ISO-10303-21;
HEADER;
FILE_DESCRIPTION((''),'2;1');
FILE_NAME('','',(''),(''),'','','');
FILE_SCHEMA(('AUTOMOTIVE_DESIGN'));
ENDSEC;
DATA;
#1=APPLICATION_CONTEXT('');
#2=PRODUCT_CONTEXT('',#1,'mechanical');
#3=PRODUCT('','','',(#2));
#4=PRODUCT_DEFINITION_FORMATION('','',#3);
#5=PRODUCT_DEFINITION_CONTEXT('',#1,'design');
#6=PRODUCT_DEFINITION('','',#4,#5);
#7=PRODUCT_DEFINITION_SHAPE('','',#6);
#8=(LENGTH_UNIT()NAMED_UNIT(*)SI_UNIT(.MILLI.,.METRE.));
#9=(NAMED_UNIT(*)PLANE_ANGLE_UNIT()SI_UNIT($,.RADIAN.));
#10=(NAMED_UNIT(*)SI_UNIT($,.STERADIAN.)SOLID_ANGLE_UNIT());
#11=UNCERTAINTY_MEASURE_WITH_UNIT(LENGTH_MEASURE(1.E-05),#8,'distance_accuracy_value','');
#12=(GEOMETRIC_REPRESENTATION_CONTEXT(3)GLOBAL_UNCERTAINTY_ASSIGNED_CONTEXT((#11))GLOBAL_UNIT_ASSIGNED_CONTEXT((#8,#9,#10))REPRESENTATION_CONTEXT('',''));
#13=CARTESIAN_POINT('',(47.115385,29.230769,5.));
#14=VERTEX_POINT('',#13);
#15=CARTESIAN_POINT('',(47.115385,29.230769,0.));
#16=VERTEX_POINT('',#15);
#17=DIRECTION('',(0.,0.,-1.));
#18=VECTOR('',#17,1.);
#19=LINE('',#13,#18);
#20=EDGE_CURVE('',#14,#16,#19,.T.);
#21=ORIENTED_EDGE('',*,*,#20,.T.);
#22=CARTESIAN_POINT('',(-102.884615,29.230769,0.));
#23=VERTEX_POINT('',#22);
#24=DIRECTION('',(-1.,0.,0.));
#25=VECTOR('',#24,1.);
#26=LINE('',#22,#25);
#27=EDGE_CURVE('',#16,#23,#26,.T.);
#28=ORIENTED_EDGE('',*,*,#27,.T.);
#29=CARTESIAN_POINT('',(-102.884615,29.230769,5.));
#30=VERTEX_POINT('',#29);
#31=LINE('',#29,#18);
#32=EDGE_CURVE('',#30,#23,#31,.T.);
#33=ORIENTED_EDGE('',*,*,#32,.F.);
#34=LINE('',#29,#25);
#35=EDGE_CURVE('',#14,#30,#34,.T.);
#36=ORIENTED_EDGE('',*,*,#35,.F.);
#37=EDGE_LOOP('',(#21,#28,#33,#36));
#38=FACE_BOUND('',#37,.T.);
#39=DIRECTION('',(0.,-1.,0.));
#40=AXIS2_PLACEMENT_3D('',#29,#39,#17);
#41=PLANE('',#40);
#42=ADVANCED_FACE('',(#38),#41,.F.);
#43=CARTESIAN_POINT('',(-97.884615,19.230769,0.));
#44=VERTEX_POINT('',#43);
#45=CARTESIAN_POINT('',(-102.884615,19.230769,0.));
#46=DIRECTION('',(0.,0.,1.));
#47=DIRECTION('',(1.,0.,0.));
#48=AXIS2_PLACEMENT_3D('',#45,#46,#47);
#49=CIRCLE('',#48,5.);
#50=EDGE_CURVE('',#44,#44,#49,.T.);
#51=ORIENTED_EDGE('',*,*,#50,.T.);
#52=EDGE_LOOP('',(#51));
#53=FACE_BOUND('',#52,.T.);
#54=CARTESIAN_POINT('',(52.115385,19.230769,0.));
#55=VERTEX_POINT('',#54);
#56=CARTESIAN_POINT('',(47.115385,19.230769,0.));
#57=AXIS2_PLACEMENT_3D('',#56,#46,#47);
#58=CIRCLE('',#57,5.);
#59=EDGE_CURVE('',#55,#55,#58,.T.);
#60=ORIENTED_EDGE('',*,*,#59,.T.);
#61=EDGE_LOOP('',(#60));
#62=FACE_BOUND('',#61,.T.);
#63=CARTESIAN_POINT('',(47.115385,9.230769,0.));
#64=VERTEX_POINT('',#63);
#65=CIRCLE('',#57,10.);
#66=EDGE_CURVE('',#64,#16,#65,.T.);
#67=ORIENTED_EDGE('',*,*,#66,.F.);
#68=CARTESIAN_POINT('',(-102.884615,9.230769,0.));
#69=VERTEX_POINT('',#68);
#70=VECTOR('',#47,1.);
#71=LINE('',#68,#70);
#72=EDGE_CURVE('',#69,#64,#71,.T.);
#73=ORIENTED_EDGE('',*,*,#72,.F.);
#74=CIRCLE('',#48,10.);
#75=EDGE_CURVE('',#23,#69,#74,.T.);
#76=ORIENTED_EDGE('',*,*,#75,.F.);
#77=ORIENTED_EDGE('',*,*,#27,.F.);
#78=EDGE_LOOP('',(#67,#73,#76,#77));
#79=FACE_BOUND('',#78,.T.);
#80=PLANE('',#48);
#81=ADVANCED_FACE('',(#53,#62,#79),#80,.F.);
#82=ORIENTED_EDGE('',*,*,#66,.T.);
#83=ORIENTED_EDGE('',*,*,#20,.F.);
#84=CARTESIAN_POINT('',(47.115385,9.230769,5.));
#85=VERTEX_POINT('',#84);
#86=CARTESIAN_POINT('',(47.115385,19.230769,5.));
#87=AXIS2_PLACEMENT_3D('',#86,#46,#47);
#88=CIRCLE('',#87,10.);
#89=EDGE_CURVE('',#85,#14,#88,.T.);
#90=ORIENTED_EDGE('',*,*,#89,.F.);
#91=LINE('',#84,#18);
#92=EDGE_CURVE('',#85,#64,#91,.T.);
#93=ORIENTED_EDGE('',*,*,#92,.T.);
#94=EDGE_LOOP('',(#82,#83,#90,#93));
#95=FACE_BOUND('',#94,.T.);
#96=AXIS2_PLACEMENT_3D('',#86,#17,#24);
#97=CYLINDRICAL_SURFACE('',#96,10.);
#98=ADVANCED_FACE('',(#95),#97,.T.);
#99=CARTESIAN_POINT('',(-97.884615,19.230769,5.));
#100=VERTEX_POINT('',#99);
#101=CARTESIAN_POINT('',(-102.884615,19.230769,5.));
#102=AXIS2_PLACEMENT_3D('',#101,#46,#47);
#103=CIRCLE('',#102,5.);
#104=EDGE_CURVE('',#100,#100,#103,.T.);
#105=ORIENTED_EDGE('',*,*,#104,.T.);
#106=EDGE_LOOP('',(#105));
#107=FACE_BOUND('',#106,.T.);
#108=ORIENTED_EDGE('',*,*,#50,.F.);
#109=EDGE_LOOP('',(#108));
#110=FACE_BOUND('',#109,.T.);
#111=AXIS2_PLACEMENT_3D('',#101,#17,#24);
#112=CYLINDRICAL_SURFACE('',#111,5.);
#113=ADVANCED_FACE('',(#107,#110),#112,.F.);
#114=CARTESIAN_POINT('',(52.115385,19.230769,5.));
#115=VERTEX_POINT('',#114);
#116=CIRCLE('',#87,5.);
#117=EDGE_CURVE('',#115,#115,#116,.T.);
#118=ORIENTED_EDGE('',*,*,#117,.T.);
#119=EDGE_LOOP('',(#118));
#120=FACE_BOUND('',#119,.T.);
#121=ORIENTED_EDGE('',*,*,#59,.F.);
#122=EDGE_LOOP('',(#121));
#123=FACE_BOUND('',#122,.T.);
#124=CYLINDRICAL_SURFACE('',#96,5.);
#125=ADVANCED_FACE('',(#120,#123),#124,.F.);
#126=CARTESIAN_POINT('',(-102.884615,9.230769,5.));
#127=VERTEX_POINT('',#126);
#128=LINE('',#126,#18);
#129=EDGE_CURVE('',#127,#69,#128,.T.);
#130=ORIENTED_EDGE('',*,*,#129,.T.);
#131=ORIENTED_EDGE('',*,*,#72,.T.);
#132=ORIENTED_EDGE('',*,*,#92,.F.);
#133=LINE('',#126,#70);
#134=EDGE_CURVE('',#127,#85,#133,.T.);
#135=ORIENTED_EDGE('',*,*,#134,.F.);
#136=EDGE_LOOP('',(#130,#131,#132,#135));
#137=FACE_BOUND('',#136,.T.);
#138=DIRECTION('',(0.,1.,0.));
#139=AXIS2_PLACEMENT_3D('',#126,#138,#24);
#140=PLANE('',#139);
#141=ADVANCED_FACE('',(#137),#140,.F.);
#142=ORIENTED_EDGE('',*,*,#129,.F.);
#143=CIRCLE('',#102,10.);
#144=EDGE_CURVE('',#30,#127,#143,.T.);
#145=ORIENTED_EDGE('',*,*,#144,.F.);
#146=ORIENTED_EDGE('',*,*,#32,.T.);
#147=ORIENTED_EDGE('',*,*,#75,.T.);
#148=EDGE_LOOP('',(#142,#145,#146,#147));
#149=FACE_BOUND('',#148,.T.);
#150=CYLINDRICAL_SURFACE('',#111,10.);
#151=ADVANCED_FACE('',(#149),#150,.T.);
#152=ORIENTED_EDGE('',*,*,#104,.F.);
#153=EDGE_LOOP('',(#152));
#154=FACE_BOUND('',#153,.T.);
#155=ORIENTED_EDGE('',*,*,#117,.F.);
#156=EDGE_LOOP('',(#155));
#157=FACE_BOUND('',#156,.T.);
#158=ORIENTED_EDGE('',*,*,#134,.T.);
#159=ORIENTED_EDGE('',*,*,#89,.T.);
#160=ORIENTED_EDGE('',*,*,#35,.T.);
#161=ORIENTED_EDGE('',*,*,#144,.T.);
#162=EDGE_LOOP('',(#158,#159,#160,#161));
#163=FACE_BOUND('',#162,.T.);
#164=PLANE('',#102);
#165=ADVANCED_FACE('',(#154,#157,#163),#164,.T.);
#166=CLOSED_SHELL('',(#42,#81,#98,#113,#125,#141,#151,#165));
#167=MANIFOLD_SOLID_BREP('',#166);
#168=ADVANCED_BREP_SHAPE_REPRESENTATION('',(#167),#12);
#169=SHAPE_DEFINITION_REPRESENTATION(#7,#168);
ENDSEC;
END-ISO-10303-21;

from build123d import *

# Parameters (mm, degrees)
IZIM3_R                     = 5
Y_KSEKLIK_EKSTR_ZYON1_DEPTH = 5


with BuildPart() as part:
    # Çizim3 → Yükseklik-Ekstrüzyon1 (new body)
    with BuildSketch(Plane.XY):
        with BuildLine():
            Line((-102.884615385, 29.230769231), (47.115384615, 29.230769231))
            ThreePointArc((47.115384615, 29.230769231), (57.115384615, 19.230769231), (47.115384615, 9.230769231))
            Line((47.115384615, 9.230769231), (-102.884615385, 9.230769231))
            ThreePointArc((-102.884615385, 9.230769231), (-112.884615385, 19.230769231), (-102.884615385, 29.230769231))
        make_face()
        with Locations((-102.884615385, 19.230769231)):
            Circle(IZIM3_R, mode=Mode.SUBTRACT)
        with Locations((47.115384615, 19.230769231)):
            Circle(IZIM3_R, mode=Mode.SUBTRACT)
    extrude(amount=Y_KSEKLIK_EKSTR_ZYON1_DEPTH)


solid = part.part
